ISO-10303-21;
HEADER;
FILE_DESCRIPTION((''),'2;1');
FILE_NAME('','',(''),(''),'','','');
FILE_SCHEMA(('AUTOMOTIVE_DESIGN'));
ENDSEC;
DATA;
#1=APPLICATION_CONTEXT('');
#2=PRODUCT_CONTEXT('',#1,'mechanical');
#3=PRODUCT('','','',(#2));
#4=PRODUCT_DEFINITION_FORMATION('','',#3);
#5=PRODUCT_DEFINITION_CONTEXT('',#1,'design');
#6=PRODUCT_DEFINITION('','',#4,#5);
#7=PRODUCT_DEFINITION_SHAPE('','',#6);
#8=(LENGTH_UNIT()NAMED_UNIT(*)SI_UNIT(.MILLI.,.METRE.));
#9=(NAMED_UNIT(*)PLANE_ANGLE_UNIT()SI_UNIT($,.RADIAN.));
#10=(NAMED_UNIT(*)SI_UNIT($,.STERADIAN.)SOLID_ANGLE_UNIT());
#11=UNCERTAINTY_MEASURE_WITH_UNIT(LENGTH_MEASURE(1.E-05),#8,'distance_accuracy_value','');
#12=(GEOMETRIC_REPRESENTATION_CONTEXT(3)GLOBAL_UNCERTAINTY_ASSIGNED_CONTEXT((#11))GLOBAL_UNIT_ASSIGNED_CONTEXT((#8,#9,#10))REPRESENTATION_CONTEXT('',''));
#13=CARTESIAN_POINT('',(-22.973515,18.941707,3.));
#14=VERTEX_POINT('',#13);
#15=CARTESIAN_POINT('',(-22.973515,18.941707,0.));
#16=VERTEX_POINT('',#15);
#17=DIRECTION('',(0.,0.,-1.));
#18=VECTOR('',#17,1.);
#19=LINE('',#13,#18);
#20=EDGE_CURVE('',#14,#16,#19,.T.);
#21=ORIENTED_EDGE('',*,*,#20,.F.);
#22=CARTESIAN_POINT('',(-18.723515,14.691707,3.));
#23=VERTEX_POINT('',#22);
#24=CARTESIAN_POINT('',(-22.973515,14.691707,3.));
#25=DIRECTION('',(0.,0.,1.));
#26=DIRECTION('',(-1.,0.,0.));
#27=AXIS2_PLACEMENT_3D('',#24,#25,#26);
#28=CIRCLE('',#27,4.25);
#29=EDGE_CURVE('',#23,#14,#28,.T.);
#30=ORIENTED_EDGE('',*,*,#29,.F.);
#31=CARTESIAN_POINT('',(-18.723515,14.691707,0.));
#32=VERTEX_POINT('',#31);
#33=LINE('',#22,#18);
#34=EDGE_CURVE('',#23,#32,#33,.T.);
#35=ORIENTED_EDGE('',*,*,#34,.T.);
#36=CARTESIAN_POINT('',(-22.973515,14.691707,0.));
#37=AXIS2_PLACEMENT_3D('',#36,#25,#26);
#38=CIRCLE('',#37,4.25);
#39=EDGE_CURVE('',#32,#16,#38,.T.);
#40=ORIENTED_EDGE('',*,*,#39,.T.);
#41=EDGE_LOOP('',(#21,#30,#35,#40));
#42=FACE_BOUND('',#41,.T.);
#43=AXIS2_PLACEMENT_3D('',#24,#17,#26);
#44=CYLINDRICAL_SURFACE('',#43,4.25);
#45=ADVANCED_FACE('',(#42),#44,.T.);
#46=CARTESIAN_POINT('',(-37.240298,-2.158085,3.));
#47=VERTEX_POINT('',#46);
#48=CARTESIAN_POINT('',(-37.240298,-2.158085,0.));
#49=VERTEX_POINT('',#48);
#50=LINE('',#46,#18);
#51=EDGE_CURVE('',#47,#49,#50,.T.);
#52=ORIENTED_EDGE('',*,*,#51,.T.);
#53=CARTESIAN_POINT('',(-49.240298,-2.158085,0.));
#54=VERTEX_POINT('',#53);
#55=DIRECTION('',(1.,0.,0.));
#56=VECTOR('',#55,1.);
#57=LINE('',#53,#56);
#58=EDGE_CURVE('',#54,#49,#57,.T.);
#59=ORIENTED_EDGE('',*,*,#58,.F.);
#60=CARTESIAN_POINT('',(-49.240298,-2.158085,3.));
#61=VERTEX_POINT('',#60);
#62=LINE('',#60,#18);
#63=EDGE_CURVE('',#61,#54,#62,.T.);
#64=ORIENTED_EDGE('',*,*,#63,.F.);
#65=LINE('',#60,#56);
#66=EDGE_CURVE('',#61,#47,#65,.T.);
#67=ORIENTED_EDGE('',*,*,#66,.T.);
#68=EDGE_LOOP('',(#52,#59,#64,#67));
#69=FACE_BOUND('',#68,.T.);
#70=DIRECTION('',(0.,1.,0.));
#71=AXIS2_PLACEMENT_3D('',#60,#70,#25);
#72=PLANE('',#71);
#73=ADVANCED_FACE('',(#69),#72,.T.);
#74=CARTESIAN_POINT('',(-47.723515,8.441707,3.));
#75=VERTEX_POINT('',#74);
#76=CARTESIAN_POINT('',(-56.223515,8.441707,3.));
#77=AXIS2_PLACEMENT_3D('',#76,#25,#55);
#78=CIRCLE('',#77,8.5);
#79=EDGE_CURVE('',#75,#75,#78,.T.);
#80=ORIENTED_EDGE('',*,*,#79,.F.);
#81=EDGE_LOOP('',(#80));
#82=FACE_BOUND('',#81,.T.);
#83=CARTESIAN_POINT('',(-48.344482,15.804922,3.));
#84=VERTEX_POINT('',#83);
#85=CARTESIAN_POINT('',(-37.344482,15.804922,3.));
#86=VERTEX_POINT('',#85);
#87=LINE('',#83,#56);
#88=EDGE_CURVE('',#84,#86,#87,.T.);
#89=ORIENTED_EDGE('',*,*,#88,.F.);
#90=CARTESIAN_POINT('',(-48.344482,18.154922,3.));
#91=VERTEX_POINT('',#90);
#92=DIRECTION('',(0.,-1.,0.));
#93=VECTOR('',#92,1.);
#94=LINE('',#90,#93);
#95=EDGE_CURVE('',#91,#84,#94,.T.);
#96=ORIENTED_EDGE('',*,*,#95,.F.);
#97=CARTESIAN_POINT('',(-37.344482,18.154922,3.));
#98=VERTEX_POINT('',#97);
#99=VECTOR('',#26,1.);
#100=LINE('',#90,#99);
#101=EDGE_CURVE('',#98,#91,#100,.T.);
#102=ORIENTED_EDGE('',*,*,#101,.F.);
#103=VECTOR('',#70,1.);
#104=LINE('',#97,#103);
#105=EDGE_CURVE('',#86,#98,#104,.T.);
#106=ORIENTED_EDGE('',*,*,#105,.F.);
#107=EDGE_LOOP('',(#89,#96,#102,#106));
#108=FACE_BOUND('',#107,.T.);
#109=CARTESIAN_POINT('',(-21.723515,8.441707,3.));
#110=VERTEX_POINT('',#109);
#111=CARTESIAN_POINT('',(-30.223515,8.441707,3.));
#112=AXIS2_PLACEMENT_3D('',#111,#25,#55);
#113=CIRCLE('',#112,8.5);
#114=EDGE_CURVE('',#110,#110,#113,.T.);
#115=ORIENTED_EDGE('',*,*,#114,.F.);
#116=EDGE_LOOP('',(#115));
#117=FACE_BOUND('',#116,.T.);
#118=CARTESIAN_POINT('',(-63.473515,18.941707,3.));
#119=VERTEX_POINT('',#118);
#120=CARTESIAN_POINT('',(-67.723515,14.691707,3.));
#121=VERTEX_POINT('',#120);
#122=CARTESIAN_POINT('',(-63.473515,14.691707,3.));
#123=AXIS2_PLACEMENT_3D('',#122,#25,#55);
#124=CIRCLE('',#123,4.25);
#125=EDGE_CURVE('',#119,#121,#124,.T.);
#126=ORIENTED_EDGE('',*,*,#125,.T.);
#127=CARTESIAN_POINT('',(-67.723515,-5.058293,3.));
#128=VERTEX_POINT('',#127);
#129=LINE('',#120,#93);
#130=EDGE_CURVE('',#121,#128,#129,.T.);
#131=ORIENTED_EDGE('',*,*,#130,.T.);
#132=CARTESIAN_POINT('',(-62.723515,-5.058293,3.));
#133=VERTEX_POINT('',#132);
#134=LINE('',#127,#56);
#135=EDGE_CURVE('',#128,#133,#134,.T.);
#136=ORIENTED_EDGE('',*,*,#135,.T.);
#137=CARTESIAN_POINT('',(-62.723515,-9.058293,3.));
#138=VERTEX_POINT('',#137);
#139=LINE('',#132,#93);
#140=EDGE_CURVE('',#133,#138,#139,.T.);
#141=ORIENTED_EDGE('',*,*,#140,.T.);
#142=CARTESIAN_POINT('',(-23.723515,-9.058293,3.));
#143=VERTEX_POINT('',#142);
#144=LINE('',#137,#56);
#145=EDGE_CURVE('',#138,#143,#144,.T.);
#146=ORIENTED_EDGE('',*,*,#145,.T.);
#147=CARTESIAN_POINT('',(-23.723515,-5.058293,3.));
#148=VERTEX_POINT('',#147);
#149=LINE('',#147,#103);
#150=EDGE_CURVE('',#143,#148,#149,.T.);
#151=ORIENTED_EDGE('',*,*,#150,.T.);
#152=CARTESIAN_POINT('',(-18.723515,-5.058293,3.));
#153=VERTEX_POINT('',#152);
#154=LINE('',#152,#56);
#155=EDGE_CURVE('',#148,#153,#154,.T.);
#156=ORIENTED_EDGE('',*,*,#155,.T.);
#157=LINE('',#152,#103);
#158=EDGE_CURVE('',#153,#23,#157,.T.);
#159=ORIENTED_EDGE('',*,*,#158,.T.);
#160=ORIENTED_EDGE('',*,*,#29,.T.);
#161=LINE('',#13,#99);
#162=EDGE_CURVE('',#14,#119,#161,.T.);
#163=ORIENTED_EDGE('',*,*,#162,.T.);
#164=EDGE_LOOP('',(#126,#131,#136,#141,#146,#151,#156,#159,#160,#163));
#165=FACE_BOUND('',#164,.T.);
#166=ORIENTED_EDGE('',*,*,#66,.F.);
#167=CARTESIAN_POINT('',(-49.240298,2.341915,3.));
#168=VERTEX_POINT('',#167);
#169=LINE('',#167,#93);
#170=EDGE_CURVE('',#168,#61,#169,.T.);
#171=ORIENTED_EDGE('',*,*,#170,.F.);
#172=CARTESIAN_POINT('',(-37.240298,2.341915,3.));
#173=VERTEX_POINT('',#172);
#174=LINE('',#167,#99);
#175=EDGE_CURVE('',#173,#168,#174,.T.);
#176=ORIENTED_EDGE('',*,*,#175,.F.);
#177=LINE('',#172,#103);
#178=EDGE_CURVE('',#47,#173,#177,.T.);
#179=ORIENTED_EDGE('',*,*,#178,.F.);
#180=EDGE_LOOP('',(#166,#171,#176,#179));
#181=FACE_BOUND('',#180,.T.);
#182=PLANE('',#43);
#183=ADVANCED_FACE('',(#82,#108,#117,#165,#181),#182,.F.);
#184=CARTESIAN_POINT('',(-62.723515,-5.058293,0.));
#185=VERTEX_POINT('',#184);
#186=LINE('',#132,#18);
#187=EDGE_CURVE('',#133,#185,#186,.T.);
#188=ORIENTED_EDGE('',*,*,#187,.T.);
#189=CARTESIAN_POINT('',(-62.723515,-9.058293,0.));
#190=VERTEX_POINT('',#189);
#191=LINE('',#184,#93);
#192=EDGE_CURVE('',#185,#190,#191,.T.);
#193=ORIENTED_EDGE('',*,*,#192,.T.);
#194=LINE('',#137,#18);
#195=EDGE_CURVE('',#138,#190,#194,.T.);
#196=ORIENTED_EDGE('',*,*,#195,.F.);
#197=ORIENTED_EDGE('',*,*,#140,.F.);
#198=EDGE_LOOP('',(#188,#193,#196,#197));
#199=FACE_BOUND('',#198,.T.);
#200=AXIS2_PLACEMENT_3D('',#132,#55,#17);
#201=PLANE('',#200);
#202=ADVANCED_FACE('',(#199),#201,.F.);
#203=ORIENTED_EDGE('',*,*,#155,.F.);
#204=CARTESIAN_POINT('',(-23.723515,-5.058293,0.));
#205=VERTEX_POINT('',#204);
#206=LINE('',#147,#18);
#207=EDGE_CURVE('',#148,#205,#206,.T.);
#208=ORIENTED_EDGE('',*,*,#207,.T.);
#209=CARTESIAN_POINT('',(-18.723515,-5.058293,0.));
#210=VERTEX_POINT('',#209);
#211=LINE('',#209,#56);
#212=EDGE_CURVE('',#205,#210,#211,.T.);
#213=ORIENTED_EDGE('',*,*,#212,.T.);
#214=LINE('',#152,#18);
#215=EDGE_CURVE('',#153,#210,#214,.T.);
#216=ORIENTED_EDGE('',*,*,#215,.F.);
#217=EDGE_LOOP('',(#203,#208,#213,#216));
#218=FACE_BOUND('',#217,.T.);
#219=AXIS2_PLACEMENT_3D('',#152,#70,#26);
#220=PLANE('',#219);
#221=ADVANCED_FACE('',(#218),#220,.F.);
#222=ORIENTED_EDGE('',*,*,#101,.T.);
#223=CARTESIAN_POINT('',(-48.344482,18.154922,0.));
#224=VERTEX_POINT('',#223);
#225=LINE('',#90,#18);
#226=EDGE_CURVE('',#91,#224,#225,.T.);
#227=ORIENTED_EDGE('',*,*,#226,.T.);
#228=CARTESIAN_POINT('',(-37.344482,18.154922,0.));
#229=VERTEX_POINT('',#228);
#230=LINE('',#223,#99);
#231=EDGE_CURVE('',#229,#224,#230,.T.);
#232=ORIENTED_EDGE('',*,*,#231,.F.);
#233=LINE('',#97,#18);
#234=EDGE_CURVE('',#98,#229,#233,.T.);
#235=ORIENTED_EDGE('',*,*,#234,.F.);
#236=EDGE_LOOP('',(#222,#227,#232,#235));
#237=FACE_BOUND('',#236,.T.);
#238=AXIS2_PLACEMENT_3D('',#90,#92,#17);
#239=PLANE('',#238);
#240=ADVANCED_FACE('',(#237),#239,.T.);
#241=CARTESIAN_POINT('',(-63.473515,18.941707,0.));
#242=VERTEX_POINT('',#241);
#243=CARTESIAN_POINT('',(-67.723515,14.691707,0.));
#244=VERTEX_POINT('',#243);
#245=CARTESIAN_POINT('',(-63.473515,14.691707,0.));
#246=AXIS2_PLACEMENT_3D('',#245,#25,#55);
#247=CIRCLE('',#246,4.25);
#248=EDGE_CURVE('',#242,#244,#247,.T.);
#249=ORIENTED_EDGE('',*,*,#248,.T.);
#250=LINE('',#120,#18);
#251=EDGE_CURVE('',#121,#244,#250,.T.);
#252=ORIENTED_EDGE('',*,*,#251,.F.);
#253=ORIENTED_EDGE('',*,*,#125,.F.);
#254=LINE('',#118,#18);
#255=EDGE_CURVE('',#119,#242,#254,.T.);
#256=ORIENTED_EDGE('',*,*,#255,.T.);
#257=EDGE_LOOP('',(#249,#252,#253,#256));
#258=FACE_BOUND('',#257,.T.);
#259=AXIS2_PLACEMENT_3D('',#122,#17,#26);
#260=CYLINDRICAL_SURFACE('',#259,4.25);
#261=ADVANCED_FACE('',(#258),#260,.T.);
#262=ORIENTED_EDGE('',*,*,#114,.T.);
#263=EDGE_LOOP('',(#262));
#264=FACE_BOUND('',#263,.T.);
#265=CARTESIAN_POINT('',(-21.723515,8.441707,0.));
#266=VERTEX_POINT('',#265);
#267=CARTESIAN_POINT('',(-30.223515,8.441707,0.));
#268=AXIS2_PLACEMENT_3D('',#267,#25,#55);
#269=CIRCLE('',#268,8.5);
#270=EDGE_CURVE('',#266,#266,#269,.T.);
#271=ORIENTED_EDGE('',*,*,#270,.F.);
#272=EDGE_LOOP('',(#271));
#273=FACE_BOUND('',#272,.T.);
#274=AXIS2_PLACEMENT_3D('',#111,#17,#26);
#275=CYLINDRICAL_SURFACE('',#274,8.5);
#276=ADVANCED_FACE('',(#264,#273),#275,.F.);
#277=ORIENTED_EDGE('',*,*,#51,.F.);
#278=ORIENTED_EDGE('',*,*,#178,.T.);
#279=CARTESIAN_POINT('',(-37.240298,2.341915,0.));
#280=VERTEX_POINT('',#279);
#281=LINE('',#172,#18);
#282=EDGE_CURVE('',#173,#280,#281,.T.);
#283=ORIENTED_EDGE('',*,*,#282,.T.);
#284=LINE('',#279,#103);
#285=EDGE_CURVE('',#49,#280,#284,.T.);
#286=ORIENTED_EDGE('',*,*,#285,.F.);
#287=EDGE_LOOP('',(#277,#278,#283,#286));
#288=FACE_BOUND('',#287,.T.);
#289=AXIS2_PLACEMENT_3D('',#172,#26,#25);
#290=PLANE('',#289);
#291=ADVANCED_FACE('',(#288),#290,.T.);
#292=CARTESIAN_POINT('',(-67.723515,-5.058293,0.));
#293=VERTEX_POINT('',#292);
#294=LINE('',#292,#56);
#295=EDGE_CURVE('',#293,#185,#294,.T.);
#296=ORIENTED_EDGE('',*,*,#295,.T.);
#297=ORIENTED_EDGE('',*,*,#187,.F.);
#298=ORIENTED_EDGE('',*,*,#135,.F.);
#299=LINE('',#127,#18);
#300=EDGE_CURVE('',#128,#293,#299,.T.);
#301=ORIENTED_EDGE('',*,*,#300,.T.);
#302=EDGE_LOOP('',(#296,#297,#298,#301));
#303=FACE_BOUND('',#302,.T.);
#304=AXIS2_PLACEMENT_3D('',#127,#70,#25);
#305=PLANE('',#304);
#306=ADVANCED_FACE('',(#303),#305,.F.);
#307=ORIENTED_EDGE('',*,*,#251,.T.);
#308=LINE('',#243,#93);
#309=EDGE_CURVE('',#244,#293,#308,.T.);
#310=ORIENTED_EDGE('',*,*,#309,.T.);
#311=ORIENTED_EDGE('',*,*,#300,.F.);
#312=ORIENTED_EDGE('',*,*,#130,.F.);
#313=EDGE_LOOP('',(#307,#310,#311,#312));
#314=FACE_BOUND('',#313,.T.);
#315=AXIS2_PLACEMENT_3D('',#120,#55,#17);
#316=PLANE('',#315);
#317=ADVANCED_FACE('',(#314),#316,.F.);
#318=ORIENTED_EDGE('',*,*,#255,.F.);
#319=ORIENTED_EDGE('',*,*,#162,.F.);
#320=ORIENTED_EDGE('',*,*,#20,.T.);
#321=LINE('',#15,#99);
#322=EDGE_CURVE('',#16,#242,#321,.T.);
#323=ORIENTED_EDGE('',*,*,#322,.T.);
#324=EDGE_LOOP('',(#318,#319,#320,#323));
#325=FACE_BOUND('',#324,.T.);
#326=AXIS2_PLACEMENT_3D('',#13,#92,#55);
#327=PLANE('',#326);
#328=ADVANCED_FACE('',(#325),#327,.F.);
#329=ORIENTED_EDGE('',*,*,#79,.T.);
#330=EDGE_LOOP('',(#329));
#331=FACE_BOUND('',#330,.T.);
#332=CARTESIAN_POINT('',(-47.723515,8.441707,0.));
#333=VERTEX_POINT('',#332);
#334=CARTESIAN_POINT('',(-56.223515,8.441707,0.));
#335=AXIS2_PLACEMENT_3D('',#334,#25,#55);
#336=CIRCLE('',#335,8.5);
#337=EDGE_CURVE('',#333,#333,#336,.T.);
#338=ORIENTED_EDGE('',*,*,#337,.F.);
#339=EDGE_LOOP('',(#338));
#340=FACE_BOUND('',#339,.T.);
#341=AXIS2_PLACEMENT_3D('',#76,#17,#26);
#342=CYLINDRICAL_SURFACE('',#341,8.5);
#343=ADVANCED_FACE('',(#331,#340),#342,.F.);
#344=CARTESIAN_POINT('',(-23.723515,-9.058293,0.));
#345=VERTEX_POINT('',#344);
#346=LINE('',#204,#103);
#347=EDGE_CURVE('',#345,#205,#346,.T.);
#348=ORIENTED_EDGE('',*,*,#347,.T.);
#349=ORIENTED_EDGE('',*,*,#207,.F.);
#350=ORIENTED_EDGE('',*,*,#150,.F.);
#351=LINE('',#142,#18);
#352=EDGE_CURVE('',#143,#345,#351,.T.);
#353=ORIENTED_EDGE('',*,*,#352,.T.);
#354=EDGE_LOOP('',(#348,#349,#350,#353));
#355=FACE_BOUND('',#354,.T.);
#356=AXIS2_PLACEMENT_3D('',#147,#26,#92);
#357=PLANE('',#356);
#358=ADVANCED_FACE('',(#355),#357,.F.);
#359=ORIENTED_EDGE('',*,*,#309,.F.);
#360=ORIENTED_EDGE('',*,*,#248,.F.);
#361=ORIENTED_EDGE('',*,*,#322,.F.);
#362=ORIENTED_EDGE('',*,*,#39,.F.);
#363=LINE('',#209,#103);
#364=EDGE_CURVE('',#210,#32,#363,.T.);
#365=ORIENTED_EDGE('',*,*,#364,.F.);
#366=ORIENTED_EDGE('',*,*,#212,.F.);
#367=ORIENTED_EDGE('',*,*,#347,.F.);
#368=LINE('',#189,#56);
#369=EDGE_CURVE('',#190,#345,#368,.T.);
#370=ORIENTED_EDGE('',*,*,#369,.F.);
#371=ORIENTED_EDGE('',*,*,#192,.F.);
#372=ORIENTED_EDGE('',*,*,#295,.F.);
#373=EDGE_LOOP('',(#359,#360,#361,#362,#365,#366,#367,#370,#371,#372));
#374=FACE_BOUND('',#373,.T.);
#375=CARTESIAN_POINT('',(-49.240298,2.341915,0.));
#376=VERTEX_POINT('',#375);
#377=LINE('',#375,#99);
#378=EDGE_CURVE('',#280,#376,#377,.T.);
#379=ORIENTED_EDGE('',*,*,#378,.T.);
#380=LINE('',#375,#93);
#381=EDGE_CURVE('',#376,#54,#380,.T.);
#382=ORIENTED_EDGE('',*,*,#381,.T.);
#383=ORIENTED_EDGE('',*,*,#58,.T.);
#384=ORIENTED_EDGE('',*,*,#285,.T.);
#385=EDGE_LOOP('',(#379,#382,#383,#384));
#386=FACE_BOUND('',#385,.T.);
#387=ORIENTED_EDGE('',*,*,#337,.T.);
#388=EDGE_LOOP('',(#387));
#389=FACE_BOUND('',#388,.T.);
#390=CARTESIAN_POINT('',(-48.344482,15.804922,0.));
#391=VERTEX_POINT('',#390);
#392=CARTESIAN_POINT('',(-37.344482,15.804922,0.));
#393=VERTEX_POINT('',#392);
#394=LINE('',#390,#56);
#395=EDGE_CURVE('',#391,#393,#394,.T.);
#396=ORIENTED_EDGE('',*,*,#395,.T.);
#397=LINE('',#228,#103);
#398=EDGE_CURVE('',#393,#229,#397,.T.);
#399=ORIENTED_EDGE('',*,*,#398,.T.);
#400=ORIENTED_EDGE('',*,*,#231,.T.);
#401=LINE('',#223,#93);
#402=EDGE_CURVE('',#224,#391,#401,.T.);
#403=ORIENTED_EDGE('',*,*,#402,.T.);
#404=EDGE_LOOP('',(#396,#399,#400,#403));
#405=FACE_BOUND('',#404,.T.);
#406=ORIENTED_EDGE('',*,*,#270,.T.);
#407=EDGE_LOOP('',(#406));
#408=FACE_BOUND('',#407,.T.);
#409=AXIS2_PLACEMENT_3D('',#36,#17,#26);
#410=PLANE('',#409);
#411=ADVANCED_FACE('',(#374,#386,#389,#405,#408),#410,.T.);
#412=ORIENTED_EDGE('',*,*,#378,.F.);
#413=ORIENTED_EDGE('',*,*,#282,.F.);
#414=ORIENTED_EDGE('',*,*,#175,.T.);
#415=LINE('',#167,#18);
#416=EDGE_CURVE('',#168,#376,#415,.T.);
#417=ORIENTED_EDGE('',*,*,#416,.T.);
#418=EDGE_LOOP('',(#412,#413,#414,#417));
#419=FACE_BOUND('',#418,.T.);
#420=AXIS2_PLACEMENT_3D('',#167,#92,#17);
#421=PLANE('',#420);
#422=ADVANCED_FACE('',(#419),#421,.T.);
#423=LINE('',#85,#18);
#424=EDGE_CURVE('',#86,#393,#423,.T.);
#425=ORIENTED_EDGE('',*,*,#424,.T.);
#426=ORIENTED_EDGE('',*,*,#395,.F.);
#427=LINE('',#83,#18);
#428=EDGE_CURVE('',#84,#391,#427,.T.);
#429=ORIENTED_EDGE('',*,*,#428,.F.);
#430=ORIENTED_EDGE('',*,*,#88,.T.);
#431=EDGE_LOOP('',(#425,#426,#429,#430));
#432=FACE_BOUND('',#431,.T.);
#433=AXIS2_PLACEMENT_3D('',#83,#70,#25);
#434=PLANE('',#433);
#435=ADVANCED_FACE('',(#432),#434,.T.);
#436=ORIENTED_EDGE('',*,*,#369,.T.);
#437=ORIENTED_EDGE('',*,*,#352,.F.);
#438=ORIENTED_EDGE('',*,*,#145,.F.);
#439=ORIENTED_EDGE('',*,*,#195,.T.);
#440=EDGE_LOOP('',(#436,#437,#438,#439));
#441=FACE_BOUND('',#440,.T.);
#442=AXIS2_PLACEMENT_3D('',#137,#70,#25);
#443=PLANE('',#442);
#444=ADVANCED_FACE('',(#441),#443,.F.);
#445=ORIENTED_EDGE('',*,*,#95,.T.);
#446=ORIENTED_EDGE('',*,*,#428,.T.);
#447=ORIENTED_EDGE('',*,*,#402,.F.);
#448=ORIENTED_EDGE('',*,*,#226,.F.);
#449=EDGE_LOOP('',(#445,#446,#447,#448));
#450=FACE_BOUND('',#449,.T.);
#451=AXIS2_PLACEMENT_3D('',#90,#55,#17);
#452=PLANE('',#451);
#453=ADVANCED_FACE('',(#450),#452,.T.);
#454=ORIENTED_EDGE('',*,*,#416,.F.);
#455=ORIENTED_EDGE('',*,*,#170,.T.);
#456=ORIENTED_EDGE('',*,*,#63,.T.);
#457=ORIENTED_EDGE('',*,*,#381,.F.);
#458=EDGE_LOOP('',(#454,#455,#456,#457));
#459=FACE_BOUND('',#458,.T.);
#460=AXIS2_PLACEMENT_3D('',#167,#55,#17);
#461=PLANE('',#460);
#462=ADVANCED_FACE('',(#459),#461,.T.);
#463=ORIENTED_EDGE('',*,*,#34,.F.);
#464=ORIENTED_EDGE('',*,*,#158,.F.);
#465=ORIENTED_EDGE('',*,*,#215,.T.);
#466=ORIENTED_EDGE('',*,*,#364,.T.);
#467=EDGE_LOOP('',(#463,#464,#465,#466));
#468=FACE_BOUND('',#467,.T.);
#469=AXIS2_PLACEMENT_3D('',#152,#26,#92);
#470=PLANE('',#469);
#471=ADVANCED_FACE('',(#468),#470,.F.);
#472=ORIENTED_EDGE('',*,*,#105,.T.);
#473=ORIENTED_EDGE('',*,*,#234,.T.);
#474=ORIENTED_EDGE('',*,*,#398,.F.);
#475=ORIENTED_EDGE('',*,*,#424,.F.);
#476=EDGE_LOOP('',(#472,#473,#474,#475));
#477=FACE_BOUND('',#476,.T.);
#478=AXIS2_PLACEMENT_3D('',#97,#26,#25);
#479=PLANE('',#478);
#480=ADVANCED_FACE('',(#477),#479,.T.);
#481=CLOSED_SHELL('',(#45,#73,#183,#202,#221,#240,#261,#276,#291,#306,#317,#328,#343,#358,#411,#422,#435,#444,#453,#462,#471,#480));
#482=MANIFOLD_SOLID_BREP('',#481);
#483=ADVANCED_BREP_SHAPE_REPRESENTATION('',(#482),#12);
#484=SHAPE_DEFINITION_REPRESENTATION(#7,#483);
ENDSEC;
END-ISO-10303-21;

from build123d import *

# Parameters (mm, degrees)
SKETCH1_R           = 8.5
SKETCH1_W           = 12
SKETCH1_H           = 4.5
SKETCH1_W_2         = 11
SKETCH1_H_2         = 2.35
BOSS_EXTRUDE2_DEPTH = 3


with BuildPart() as part:
    # Sketch1 → Boss-Extrude2 (new body)
    with BuildSketch(Plane.XY):
        with BuildLine():
            Line((-67.723514566, 14.691706599), (-67.723514566, -5.058293401))
            Line((-67.723514566, -5.058293401), (-62.723514566, -5.058293401))
            Line((-62.723514566, -5.058293401), (-62.723514566, -9.058293401))
            Line((-62.723514566, -9.058293401), (-23.723514566, -9.058293401))
            Line((-23.723514566, -9.058293401), (-23.723514566, -5.058293401))
            Line((-23.723514566, -5.058293401), (-18.723514566, -5.058293401))
            Line((-18.723514566, -5.058293401), (-18.723514566, 14.691706599))
            ThreePointArc((-18.723514566, 14.691706599), (-19.968310746, 17.696910419), (-22.973514566, 18.941706599))
            Line((-22.973514566, 18.941706599), (-63.473514566, 18.941706599))
            ThreePointArc((-63.473514566, 18.941706599), (-66.478718386, 17.696910419), (-67.723514566, 14.691706599))
        make_face()
        with Locations((-56.223514566, 8.441706599)):
            Circle(SKETCH1_R, mode=Mode.SUBTRACT)
        with Locations((-30.223514566, 8.441706599)):
            Circle(SKETCH1_R, mode=Mode.SUBTRACT)
        with Locations((-43.240297901, 0.09191466)):
            Rectangle(SKETCH1_W, SKETCH1_H, mode=Mode.SUBTRACT)
        with Locations((-42.84448226, 16.979921864)):
            Rectangle(SKETCH1_W_2, SKETCH1_H_2, mode=Mode.SUBTRACT)
    extrude(amount=BOSS_EXTRUDE2_DEPTH)


solid = part.part
